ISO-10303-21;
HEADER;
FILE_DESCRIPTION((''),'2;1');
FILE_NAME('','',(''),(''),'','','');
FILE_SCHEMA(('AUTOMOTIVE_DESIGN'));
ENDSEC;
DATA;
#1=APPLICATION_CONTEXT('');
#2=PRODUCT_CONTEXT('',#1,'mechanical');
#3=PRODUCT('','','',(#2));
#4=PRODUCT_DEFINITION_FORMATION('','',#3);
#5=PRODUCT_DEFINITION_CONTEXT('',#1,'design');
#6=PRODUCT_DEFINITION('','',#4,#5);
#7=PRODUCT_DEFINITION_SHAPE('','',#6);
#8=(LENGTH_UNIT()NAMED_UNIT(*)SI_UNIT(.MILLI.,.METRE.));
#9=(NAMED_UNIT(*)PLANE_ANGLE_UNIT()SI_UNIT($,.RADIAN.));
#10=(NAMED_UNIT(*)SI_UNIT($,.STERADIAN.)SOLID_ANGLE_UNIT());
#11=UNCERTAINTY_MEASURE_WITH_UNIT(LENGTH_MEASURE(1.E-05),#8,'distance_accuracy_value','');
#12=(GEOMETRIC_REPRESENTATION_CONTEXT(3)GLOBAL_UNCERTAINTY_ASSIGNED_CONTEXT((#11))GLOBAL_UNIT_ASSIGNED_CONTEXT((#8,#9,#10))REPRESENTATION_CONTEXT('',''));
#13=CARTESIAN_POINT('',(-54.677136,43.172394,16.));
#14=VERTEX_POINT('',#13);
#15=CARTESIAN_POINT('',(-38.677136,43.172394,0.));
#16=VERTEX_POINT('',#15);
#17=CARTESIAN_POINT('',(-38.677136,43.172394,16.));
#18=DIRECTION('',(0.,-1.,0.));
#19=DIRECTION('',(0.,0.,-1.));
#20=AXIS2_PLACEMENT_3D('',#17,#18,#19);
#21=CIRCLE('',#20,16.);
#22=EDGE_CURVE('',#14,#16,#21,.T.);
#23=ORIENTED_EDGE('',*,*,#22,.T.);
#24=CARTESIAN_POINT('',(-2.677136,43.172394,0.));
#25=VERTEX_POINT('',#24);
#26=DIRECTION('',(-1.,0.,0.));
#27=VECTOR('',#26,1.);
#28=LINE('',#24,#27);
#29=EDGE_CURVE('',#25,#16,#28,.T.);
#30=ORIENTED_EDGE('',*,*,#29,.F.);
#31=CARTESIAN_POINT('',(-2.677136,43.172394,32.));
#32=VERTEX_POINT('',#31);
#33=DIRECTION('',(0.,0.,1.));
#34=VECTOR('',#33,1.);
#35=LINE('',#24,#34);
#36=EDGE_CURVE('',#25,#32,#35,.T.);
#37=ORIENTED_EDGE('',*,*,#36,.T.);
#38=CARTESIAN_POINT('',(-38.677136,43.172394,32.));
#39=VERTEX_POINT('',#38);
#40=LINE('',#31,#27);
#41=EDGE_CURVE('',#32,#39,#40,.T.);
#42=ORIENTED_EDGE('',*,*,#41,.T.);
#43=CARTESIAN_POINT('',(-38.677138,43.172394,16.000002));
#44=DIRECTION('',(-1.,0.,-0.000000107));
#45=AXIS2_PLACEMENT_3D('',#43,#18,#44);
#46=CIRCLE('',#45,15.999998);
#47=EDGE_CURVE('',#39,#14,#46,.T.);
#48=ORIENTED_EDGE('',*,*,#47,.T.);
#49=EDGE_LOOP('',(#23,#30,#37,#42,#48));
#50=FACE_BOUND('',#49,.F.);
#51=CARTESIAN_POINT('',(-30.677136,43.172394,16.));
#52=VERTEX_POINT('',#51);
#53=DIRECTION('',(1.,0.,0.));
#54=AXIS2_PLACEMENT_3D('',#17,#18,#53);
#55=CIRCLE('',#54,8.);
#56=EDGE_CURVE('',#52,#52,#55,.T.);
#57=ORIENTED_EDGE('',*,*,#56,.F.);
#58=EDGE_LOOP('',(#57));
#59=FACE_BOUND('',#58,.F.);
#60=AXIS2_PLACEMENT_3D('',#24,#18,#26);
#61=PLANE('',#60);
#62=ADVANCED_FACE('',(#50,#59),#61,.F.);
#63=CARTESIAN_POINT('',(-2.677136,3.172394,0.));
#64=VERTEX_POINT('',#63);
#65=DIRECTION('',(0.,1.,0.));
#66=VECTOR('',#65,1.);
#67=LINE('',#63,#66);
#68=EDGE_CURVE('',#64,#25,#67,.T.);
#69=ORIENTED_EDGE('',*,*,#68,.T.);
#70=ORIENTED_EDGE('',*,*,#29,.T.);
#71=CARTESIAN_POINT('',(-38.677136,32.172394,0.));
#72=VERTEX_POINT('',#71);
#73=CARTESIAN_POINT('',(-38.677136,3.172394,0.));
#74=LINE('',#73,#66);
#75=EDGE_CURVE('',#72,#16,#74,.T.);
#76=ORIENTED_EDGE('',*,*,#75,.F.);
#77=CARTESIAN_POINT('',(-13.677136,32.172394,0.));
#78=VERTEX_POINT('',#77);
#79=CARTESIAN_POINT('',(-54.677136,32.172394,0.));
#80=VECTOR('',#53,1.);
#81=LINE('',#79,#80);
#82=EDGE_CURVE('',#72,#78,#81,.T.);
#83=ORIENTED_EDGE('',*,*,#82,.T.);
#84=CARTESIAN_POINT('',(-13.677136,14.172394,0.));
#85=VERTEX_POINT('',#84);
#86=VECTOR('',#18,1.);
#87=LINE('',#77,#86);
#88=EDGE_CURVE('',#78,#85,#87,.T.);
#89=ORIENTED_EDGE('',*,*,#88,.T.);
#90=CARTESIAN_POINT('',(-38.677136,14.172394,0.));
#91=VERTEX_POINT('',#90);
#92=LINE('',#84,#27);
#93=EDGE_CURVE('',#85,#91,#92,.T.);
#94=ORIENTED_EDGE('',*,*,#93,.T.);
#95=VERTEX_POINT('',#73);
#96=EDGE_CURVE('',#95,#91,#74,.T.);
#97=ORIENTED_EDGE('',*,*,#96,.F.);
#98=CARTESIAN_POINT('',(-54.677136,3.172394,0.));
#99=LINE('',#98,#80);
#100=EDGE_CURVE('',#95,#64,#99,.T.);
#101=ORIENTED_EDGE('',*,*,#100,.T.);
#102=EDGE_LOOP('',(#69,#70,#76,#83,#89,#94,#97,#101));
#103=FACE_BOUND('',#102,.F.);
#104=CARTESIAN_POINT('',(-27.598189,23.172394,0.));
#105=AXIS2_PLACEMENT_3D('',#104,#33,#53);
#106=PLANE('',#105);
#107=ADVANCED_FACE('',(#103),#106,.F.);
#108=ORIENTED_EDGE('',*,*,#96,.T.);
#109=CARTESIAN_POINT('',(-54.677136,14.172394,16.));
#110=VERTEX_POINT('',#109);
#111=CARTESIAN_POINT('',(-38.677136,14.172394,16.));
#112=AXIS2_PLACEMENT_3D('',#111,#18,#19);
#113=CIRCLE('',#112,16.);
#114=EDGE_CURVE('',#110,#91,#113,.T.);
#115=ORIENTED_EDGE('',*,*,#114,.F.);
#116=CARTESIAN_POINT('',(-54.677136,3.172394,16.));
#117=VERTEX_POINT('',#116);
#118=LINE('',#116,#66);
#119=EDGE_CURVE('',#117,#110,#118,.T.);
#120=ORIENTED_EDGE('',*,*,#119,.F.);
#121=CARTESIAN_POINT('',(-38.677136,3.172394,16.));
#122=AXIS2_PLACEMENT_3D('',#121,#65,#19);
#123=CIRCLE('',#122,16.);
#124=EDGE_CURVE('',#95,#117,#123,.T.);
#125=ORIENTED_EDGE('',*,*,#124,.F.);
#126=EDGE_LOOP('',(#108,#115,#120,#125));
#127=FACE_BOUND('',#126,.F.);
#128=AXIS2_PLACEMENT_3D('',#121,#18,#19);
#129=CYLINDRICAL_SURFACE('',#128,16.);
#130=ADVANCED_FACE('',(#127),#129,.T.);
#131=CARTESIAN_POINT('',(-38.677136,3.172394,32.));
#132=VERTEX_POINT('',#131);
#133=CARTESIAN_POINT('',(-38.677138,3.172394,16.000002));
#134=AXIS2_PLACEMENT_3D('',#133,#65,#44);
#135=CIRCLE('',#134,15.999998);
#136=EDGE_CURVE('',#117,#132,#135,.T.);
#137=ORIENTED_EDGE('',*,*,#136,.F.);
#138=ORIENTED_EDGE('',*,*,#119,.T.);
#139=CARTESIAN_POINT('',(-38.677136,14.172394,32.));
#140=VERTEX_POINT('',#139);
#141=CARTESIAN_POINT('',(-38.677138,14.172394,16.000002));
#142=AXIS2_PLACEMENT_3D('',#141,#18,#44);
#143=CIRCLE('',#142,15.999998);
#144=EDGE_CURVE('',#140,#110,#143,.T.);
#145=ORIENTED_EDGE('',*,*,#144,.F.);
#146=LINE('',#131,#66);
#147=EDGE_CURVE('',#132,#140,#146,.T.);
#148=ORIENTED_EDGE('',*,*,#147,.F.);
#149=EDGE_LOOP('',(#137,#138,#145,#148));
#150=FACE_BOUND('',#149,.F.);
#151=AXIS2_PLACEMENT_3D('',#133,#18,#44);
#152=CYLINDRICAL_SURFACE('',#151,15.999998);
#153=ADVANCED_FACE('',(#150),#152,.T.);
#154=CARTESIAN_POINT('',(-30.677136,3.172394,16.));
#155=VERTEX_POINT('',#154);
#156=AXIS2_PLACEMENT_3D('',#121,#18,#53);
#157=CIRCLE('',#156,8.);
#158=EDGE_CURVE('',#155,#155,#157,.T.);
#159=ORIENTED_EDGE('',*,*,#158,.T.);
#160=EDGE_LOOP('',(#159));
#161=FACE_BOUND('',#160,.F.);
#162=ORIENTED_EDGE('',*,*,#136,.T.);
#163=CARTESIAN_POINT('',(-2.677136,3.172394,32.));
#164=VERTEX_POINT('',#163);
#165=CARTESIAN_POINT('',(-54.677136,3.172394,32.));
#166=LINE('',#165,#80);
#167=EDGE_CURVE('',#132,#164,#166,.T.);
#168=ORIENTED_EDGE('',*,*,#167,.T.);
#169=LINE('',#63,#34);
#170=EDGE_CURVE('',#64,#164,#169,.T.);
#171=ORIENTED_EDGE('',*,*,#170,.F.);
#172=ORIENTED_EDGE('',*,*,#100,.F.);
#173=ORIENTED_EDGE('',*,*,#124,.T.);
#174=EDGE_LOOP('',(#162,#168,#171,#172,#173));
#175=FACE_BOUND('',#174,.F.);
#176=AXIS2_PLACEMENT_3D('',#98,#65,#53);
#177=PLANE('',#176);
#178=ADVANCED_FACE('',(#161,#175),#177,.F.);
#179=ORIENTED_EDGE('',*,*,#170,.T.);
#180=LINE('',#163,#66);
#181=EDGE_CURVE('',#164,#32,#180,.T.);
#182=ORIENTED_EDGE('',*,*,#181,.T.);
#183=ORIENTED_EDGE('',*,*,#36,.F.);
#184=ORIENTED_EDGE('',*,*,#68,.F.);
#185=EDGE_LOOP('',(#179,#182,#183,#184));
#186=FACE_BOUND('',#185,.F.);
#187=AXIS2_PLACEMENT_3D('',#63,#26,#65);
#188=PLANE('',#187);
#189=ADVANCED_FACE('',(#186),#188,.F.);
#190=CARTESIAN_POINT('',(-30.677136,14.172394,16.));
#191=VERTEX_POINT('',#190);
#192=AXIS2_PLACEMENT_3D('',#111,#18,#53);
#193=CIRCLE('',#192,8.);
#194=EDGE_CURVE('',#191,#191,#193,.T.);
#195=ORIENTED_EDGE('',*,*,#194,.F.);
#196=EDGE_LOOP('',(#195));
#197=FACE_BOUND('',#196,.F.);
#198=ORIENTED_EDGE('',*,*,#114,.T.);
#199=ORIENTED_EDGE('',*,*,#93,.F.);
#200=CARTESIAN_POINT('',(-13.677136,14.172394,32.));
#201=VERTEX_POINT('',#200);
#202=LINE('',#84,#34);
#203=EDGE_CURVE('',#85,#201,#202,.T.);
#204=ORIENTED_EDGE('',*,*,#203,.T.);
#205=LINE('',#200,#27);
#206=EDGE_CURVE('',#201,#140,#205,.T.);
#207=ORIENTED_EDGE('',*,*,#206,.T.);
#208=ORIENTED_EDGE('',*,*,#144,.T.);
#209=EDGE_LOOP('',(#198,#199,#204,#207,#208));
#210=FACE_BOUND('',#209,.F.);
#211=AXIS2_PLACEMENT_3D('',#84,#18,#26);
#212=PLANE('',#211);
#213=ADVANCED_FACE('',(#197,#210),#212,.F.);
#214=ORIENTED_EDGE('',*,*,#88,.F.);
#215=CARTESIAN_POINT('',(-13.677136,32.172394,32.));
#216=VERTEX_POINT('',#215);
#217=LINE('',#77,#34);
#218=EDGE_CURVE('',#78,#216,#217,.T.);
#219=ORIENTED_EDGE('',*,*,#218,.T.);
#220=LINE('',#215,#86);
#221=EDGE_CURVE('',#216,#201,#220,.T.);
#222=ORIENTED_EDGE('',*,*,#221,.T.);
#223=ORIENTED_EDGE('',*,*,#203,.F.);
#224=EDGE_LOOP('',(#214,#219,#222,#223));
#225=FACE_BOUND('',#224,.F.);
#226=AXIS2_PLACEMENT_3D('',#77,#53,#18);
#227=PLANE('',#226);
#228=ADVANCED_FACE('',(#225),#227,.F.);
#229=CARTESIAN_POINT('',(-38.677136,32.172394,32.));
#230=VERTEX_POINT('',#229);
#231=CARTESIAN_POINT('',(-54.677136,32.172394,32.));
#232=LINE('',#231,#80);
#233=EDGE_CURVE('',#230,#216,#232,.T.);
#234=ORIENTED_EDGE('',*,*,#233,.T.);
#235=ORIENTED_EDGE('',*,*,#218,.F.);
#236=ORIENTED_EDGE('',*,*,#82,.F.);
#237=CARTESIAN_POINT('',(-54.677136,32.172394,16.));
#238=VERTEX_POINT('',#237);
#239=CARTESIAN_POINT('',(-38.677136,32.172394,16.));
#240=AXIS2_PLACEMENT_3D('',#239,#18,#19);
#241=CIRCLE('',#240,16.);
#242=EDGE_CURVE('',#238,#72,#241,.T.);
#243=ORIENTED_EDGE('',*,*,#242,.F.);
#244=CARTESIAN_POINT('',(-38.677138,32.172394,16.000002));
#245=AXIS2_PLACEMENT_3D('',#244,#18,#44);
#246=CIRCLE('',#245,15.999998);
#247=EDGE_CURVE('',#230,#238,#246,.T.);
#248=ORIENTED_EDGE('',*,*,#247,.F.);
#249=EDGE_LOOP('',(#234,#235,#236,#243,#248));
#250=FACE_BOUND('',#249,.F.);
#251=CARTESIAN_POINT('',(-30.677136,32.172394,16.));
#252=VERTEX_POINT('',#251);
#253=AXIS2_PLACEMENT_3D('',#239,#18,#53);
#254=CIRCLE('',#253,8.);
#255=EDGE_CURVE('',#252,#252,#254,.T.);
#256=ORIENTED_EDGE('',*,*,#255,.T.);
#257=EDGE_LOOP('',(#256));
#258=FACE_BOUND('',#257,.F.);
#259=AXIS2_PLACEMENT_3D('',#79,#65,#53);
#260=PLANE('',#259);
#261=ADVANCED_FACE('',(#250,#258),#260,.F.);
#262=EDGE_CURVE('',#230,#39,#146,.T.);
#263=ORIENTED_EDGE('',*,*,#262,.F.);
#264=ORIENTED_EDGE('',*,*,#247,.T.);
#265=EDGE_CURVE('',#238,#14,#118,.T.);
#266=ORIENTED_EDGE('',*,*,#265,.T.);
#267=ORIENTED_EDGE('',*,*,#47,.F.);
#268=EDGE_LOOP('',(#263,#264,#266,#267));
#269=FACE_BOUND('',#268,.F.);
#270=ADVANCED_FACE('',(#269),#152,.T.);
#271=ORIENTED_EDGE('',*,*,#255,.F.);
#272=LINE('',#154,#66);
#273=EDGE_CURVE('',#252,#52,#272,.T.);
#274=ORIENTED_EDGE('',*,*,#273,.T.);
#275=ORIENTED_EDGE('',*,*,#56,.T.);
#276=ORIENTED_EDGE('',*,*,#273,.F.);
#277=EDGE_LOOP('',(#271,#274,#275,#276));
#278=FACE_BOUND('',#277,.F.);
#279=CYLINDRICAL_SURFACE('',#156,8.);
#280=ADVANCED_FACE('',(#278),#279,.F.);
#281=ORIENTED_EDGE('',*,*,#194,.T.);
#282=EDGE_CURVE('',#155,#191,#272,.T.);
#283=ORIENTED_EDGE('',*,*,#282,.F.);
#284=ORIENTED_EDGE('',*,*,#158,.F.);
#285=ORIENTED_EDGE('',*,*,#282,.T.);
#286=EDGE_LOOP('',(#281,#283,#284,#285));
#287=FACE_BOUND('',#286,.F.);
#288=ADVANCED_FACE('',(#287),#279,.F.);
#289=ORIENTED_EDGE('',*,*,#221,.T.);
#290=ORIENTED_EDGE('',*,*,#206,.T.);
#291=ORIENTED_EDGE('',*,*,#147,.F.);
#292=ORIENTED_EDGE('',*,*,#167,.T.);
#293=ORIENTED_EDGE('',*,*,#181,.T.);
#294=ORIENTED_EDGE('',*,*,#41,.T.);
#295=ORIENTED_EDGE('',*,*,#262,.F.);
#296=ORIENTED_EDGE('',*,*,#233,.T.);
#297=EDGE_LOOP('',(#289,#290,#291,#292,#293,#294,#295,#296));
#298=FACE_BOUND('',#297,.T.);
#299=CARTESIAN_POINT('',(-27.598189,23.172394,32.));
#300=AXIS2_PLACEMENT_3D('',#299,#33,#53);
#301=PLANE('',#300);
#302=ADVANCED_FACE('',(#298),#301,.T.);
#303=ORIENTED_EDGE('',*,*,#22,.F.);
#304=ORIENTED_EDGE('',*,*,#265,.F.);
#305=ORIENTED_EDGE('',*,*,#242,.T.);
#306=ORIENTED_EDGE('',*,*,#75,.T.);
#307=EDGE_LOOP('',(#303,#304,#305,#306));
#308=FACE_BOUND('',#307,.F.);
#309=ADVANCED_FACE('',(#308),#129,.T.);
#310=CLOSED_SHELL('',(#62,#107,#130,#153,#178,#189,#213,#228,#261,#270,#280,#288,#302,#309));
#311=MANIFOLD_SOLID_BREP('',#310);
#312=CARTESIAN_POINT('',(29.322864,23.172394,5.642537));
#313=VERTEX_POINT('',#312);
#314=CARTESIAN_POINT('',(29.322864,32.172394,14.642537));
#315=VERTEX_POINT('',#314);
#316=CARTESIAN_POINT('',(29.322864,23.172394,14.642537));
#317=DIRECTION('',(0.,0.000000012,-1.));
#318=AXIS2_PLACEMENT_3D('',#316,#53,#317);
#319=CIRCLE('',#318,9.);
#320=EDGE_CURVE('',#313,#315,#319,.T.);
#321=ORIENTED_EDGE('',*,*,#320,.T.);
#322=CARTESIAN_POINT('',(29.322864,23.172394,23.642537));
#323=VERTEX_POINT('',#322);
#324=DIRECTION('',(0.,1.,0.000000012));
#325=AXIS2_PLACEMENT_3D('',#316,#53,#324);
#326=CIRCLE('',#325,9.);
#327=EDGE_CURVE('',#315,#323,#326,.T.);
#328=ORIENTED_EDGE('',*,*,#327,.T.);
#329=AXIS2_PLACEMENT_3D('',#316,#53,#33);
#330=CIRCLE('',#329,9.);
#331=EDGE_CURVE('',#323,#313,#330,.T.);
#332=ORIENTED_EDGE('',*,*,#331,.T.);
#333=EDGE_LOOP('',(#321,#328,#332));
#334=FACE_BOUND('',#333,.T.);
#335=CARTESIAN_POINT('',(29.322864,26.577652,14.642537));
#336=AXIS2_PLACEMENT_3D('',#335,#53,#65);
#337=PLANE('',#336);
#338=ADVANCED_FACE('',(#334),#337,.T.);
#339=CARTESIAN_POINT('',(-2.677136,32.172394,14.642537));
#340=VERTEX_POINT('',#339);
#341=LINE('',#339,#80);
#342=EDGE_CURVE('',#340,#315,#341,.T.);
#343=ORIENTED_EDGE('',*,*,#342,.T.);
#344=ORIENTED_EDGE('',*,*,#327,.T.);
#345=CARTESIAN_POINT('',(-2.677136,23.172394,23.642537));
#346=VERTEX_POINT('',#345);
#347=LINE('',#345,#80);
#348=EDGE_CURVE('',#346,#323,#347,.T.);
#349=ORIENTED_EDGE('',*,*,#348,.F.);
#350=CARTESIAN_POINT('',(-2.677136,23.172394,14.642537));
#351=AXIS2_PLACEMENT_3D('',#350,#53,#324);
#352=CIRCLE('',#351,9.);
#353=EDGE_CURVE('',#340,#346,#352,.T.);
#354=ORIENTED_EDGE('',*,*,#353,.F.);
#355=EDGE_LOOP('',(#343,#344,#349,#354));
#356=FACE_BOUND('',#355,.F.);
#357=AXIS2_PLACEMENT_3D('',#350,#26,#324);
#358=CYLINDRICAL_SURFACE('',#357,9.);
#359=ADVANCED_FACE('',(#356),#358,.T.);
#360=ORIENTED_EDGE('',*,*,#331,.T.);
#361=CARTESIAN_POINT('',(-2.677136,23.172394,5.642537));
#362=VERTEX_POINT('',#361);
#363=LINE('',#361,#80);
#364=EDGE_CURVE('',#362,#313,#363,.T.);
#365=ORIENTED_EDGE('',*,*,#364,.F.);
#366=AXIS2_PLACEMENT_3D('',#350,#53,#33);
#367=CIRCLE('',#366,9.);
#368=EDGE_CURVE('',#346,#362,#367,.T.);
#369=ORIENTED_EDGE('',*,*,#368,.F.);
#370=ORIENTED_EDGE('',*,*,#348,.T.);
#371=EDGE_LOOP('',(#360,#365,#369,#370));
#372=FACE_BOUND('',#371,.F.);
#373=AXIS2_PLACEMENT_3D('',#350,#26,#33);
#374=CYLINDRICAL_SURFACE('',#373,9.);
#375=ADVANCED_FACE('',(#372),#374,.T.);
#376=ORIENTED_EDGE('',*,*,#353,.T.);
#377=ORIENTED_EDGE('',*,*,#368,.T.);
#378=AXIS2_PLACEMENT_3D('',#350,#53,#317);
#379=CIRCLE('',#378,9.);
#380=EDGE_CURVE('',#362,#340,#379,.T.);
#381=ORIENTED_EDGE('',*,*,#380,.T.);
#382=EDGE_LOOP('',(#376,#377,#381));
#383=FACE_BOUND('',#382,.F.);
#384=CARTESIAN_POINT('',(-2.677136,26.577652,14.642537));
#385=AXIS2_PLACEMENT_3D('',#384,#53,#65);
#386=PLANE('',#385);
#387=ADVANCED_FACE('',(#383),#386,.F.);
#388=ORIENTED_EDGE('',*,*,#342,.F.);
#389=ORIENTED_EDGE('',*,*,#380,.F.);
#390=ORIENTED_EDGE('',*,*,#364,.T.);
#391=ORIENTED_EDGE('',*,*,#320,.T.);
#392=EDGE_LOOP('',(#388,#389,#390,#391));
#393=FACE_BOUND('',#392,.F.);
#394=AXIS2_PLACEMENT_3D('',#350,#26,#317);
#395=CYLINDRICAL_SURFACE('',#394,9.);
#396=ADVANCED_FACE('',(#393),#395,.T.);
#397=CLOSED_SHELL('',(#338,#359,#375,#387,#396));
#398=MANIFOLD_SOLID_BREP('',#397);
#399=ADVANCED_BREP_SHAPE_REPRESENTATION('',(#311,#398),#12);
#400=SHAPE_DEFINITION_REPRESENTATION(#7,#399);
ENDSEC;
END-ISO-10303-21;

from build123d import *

# Parameters (mm, degrees)
F1_DEPTH = 32
F2_R     = 8
F3_DEPTH = 100
F5_DEPTH = 32


with BuildPart() as f1:
    # F0 (on Top) → F1 (new body)
    with BuildSketch(Plane.XY):
        Polygon((-2.677136, 43.172394), (-54.677136, 43.172394), (-54.677136, 32.172394), (-13.677136, 32.172394), (-13.677136, 14.172394), (-54.677136, 14.172394), (-54.677136, 3.172394), (-13.677136, 3.172394), (-2.677136, 3.172394), (-2.677136, 14.172394), (-2.677136, 32.172394), align=None)
    extrude(amount=F1_DEPTH)

    # F2 (on face) → F3 (cut)
    with BuildSketch(Plane.XZ.offset(-3.172394)):
        with BuildLine():
            Line((-54.677136, 0), (-38.677136, 0))
            ThreePointArc((-38.677136, 0), (-49.990845, 4.686292), (-54.677136, 16))
            Line((-54.677136, 16), (-54.677136, 0))
        make_face()
        with BuildLine():
            ThreePointArc((-54.677136, 16), (-49.990845, 27.313709), (-38.677136, 32))
            Line((-38.677136, 32), (-54.677136, 32))
            Line((-54.677136, 32), (-54.677136, 16))
        make_face()
        with Locations((-38.677136, 16)):
            Circle(F2_R)
    extrude(amount=-F3_DEPTH, mode=Mode.SUBTRACT)


with BuildPart() as f5:
    # F4 (on face) → F5 (new body)
    with BuildSketch(Plane.YZ.offset(-2.677136)):
        with BuildLine():
            ThreePointArc((23.172394, 5.642537), (29.536355, 8.278576), (32.172394, 14.642537))
            ThreePointArc((32.172394, 14.642537), (29.536355, 21.006498), (23.172394, 23.642537))
            Line((23.172394, 23.642537), (23.172394, 5.642537))
        make_face()
        with BuildLine():
            Line((23.172394, 5.642537), (23.172394, 23.642537))
            ThreePointArc((23.172394, 23.642537), (14.172394, 14.642537), (23.172394, 5.642537))
        make_face()
    extrude(amount=F5_DEPTH)


solid = Compound([f1.part, f5.part])
